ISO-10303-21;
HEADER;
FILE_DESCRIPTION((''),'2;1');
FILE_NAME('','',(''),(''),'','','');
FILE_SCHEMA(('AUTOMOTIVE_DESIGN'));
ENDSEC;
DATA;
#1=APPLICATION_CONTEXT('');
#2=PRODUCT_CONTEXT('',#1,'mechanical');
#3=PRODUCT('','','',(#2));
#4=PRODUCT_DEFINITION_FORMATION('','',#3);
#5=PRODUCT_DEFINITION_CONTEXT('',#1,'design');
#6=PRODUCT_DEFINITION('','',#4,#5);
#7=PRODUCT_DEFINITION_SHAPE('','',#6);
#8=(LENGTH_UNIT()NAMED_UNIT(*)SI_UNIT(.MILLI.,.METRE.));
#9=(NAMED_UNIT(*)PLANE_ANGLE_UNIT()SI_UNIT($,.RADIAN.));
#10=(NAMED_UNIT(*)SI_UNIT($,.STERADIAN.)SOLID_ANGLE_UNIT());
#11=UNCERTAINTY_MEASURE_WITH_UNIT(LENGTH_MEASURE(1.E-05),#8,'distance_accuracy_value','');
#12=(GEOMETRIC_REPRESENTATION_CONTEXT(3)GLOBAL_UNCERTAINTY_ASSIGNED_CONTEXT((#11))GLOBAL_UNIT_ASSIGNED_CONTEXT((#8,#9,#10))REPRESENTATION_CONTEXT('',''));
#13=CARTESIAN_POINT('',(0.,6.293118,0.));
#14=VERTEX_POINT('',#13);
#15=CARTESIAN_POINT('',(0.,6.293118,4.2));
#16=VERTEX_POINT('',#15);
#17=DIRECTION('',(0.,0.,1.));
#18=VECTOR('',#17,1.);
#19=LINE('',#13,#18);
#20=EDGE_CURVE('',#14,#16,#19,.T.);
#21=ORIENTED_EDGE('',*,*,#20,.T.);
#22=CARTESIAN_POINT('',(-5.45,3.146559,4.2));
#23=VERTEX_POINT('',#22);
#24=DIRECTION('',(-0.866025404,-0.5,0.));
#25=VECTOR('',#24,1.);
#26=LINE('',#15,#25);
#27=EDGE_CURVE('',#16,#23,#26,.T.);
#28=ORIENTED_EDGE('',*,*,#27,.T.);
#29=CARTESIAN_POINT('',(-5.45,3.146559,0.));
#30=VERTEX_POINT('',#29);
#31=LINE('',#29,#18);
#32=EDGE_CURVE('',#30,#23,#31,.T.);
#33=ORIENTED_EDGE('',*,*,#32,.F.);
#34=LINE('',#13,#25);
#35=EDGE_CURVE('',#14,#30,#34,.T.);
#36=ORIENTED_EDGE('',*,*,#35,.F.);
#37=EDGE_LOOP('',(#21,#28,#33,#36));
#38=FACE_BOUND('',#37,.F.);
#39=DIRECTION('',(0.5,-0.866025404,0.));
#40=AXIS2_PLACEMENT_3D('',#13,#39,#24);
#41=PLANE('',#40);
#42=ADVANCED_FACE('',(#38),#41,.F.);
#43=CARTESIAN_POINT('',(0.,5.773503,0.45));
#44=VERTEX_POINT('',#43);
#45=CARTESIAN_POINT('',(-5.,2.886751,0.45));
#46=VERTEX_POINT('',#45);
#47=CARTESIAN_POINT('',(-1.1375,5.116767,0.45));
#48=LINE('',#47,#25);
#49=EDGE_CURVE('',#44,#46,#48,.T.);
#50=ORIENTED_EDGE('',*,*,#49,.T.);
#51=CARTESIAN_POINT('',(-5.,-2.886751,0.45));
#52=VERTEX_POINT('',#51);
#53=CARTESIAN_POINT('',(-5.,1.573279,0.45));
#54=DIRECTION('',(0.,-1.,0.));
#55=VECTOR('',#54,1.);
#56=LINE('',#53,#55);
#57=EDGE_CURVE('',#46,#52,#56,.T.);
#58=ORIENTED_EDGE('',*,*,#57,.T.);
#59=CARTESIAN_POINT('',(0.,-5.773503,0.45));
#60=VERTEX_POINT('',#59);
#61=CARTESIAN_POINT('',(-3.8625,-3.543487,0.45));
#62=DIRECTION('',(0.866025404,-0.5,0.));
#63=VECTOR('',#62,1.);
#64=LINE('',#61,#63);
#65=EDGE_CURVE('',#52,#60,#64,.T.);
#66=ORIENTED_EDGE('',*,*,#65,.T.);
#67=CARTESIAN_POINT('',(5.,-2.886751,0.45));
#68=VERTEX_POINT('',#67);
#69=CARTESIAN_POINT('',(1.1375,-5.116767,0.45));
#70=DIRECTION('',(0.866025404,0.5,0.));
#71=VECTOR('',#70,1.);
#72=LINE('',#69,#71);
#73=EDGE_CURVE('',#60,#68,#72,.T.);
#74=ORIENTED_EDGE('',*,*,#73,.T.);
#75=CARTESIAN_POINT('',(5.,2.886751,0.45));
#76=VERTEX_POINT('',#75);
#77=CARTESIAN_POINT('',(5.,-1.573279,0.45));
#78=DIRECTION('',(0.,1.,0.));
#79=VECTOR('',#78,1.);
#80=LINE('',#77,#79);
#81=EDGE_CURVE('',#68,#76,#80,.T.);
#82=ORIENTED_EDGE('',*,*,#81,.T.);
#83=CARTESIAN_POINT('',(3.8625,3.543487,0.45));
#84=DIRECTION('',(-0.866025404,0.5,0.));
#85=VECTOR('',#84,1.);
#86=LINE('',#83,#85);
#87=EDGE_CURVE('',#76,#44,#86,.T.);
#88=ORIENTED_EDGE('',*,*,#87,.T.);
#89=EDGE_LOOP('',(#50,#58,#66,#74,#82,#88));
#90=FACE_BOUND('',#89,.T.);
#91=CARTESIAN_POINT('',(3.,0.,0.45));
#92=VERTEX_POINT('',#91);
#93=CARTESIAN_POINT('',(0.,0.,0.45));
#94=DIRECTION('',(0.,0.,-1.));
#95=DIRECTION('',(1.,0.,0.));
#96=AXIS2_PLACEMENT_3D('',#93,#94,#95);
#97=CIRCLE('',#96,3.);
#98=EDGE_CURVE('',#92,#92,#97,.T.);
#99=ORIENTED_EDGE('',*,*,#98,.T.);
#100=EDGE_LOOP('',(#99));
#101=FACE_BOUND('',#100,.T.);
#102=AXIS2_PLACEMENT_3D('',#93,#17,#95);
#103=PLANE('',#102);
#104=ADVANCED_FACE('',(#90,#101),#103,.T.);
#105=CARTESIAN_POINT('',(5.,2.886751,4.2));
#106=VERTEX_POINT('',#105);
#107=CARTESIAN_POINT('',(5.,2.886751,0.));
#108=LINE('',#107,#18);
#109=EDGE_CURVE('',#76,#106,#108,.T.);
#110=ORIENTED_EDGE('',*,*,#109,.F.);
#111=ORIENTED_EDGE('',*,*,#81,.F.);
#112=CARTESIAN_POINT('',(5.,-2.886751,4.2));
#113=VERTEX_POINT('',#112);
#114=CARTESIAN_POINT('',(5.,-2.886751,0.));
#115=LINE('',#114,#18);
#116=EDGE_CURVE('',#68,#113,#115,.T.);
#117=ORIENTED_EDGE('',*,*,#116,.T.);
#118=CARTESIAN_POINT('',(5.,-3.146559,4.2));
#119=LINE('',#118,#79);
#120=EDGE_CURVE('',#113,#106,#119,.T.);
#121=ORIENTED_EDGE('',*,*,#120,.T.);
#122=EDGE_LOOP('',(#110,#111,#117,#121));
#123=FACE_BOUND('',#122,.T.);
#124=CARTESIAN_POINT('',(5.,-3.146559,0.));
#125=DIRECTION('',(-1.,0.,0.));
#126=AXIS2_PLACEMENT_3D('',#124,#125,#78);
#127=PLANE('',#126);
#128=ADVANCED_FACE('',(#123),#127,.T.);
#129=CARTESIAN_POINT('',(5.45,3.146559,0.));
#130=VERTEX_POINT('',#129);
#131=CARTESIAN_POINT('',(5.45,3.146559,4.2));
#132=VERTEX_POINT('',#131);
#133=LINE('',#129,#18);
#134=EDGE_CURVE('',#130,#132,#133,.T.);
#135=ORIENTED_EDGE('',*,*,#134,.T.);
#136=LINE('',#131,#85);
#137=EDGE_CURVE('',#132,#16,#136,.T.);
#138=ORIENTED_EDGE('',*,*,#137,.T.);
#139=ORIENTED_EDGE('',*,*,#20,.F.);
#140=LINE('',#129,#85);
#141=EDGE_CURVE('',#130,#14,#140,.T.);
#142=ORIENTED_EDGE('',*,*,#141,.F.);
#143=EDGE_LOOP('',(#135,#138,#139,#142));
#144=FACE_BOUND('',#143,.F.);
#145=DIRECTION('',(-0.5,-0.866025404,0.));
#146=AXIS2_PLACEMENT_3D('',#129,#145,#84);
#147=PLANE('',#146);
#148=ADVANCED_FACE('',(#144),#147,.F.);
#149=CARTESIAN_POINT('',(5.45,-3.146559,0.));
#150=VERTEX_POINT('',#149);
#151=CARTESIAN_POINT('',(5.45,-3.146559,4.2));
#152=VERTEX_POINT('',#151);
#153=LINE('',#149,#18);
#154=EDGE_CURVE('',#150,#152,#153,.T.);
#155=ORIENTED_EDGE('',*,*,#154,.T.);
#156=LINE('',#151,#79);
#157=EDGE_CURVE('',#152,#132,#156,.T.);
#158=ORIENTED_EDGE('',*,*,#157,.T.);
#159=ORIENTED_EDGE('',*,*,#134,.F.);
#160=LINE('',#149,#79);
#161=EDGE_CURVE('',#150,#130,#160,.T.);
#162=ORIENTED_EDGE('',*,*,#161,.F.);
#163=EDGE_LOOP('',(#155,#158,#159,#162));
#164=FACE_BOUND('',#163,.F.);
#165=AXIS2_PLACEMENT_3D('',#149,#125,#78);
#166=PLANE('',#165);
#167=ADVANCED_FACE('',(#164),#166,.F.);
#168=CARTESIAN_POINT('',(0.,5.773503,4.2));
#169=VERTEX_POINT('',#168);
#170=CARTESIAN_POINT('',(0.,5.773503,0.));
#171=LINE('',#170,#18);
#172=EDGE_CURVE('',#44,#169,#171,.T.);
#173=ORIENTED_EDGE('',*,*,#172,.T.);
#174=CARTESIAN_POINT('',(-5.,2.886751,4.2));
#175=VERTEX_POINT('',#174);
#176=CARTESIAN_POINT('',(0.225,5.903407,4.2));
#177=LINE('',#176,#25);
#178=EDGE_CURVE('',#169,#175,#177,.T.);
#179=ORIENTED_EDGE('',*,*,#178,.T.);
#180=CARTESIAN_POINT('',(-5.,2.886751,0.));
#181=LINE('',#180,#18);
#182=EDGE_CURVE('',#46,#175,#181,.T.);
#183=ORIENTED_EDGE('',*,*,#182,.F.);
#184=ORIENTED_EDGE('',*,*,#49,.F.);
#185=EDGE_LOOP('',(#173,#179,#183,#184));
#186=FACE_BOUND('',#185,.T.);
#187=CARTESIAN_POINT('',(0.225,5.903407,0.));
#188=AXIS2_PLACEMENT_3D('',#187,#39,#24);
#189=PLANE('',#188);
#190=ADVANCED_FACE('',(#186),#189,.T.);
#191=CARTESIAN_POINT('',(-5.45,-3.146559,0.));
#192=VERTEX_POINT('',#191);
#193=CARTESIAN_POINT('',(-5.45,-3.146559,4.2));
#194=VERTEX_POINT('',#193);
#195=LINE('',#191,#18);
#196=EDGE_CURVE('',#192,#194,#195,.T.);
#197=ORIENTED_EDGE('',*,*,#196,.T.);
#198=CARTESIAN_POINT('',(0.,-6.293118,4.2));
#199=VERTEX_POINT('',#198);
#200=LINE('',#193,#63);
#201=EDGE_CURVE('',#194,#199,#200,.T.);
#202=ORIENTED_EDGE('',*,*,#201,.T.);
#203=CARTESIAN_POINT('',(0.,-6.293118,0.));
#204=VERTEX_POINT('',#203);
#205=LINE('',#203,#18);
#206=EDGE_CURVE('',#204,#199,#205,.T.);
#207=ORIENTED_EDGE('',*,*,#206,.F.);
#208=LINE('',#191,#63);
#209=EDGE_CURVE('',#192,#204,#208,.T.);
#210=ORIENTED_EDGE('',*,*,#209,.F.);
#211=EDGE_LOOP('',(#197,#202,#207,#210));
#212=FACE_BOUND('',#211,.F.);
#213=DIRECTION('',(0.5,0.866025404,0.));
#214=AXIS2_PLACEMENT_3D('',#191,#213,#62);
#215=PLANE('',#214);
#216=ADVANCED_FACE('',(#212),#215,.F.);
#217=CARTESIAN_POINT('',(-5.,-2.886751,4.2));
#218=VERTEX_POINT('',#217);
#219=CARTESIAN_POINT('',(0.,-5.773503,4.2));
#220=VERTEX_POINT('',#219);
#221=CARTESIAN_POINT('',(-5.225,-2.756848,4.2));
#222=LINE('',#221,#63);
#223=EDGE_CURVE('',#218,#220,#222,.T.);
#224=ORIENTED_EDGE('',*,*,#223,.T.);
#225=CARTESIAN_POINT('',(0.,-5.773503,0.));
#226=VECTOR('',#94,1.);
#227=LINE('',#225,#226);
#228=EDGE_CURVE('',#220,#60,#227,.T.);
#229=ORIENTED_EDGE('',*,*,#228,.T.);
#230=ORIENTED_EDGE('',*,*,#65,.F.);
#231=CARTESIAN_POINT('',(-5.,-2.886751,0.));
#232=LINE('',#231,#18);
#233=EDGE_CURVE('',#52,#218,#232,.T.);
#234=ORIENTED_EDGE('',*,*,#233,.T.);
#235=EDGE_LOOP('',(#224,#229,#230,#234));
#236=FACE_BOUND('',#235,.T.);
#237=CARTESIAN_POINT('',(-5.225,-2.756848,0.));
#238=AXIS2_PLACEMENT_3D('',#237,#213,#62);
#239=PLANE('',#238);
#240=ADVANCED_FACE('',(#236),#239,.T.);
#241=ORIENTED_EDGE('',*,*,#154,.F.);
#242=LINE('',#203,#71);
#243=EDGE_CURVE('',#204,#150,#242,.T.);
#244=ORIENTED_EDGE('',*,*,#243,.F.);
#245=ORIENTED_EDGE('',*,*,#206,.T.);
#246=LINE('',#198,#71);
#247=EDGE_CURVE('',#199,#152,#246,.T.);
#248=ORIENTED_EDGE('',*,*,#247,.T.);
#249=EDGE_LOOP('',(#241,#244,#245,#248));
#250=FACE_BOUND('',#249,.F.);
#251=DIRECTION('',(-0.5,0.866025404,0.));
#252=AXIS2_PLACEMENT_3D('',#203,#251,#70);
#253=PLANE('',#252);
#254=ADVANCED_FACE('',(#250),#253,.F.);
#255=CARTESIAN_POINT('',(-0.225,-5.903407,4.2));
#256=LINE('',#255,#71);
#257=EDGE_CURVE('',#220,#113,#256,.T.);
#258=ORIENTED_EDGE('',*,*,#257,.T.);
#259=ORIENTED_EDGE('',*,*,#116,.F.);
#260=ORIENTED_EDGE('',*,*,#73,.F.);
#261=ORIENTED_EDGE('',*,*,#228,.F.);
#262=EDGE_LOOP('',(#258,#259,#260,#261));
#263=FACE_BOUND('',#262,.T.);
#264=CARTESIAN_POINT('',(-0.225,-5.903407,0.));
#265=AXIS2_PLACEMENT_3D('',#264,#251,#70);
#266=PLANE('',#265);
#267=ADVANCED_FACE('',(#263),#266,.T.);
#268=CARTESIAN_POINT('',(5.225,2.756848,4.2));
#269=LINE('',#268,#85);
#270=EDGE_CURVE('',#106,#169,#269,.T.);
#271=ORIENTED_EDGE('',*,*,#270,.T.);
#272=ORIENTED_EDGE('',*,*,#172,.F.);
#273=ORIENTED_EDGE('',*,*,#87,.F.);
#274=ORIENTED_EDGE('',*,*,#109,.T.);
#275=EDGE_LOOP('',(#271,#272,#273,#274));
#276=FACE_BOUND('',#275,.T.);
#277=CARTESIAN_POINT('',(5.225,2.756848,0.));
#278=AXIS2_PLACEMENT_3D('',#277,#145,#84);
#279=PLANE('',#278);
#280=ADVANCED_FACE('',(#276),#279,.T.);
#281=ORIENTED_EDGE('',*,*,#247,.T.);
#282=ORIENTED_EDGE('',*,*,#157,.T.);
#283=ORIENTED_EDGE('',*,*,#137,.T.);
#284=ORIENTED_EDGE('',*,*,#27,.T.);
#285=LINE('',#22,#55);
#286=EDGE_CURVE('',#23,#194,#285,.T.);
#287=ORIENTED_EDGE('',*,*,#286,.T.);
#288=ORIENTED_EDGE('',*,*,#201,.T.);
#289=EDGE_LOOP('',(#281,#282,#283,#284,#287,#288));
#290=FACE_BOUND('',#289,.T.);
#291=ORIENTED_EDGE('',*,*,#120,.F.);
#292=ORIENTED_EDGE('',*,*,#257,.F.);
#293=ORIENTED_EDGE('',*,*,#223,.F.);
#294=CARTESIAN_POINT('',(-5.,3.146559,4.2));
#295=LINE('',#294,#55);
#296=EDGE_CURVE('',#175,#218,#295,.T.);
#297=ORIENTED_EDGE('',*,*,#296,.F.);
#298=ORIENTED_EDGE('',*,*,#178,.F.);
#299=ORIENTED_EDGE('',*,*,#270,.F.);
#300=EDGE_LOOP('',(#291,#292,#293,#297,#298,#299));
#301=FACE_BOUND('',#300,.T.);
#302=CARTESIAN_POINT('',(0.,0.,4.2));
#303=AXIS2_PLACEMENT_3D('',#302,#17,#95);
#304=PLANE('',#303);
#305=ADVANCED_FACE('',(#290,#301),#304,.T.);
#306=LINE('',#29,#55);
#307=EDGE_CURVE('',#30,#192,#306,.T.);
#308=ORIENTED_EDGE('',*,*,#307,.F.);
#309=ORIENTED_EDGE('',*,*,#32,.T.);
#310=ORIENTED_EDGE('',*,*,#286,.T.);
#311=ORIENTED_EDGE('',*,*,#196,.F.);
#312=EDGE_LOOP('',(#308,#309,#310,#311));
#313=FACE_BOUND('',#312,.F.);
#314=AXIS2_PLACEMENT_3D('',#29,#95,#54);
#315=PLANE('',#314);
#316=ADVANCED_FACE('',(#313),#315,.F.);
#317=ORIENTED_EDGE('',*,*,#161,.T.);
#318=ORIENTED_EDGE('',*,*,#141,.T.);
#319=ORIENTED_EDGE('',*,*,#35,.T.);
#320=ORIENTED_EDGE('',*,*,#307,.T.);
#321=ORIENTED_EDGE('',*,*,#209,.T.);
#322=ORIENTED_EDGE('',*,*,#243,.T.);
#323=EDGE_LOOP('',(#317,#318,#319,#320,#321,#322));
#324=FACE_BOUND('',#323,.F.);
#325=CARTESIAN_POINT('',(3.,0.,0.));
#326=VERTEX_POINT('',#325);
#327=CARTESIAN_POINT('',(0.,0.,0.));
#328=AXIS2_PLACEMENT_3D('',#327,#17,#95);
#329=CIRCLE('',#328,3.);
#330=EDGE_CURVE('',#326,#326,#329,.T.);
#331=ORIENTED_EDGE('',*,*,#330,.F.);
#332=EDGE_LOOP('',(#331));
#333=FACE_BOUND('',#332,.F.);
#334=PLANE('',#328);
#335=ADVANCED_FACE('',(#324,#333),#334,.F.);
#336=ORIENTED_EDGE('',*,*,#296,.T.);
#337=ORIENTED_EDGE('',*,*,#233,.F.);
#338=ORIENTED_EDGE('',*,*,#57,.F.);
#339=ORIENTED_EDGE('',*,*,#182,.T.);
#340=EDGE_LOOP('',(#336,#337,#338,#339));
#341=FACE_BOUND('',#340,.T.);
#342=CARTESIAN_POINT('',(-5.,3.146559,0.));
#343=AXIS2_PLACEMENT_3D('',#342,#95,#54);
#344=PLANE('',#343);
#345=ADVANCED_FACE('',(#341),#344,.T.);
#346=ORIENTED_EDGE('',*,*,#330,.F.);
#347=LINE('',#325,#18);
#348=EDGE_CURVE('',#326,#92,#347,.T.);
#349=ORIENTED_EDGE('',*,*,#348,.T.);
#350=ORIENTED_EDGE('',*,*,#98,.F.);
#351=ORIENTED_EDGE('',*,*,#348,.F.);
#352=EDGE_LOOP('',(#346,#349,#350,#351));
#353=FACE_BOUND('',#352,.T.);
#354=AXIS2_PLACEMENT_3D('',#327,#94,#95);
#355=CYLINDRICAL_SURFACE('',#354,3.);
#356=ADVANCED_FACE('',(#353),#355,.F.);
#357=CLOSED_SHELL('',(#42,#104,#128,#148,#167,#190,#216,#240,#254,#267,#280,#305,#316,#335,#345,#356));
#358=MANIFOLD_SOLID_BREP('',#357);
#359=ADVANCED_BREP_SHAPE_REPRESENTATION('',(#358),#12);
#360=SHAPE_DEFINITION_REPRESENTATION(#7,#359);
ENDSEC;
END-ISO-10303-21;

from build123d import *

# Parameters (mm, degrees)
F0_R     = 3
F1_DEPTH = 4.2
F2_T     = -0.45
F3_DEPTH = 0.6


with BuildPart() as f1:
    # F0 (on Top) → F1 (new body)
    with BuildSketch(Plane.XY):
        Polygon((0, -6.2931179342), (5.45, -3.1465589671), (5.45, 3.1465589671), (0, 6.2931179342), (-5.45, 3.1465589671), (-5.45, -3.1465589671), align=None)
        Circle(F0_R, mode=Mode.SUBTRACT)
        Circle(F0_R)
    extrude(amount=F1_DEPTH)

    # F2
    f2_openings = [f1.faces().sort_by_distance(p)[0] for p in [
        (0, 0, 4.2),
    ]]
    offset(amount=F2_T, openings=f2_openings)

    # F0 (on Top) → F3 (cut)
    with BuildSketch(Plane.XY):
        Circle(F0_R)
    extrude(amount=F3_DEPTH, mode=Mode.SUBTRACT)


solid = f1.part
